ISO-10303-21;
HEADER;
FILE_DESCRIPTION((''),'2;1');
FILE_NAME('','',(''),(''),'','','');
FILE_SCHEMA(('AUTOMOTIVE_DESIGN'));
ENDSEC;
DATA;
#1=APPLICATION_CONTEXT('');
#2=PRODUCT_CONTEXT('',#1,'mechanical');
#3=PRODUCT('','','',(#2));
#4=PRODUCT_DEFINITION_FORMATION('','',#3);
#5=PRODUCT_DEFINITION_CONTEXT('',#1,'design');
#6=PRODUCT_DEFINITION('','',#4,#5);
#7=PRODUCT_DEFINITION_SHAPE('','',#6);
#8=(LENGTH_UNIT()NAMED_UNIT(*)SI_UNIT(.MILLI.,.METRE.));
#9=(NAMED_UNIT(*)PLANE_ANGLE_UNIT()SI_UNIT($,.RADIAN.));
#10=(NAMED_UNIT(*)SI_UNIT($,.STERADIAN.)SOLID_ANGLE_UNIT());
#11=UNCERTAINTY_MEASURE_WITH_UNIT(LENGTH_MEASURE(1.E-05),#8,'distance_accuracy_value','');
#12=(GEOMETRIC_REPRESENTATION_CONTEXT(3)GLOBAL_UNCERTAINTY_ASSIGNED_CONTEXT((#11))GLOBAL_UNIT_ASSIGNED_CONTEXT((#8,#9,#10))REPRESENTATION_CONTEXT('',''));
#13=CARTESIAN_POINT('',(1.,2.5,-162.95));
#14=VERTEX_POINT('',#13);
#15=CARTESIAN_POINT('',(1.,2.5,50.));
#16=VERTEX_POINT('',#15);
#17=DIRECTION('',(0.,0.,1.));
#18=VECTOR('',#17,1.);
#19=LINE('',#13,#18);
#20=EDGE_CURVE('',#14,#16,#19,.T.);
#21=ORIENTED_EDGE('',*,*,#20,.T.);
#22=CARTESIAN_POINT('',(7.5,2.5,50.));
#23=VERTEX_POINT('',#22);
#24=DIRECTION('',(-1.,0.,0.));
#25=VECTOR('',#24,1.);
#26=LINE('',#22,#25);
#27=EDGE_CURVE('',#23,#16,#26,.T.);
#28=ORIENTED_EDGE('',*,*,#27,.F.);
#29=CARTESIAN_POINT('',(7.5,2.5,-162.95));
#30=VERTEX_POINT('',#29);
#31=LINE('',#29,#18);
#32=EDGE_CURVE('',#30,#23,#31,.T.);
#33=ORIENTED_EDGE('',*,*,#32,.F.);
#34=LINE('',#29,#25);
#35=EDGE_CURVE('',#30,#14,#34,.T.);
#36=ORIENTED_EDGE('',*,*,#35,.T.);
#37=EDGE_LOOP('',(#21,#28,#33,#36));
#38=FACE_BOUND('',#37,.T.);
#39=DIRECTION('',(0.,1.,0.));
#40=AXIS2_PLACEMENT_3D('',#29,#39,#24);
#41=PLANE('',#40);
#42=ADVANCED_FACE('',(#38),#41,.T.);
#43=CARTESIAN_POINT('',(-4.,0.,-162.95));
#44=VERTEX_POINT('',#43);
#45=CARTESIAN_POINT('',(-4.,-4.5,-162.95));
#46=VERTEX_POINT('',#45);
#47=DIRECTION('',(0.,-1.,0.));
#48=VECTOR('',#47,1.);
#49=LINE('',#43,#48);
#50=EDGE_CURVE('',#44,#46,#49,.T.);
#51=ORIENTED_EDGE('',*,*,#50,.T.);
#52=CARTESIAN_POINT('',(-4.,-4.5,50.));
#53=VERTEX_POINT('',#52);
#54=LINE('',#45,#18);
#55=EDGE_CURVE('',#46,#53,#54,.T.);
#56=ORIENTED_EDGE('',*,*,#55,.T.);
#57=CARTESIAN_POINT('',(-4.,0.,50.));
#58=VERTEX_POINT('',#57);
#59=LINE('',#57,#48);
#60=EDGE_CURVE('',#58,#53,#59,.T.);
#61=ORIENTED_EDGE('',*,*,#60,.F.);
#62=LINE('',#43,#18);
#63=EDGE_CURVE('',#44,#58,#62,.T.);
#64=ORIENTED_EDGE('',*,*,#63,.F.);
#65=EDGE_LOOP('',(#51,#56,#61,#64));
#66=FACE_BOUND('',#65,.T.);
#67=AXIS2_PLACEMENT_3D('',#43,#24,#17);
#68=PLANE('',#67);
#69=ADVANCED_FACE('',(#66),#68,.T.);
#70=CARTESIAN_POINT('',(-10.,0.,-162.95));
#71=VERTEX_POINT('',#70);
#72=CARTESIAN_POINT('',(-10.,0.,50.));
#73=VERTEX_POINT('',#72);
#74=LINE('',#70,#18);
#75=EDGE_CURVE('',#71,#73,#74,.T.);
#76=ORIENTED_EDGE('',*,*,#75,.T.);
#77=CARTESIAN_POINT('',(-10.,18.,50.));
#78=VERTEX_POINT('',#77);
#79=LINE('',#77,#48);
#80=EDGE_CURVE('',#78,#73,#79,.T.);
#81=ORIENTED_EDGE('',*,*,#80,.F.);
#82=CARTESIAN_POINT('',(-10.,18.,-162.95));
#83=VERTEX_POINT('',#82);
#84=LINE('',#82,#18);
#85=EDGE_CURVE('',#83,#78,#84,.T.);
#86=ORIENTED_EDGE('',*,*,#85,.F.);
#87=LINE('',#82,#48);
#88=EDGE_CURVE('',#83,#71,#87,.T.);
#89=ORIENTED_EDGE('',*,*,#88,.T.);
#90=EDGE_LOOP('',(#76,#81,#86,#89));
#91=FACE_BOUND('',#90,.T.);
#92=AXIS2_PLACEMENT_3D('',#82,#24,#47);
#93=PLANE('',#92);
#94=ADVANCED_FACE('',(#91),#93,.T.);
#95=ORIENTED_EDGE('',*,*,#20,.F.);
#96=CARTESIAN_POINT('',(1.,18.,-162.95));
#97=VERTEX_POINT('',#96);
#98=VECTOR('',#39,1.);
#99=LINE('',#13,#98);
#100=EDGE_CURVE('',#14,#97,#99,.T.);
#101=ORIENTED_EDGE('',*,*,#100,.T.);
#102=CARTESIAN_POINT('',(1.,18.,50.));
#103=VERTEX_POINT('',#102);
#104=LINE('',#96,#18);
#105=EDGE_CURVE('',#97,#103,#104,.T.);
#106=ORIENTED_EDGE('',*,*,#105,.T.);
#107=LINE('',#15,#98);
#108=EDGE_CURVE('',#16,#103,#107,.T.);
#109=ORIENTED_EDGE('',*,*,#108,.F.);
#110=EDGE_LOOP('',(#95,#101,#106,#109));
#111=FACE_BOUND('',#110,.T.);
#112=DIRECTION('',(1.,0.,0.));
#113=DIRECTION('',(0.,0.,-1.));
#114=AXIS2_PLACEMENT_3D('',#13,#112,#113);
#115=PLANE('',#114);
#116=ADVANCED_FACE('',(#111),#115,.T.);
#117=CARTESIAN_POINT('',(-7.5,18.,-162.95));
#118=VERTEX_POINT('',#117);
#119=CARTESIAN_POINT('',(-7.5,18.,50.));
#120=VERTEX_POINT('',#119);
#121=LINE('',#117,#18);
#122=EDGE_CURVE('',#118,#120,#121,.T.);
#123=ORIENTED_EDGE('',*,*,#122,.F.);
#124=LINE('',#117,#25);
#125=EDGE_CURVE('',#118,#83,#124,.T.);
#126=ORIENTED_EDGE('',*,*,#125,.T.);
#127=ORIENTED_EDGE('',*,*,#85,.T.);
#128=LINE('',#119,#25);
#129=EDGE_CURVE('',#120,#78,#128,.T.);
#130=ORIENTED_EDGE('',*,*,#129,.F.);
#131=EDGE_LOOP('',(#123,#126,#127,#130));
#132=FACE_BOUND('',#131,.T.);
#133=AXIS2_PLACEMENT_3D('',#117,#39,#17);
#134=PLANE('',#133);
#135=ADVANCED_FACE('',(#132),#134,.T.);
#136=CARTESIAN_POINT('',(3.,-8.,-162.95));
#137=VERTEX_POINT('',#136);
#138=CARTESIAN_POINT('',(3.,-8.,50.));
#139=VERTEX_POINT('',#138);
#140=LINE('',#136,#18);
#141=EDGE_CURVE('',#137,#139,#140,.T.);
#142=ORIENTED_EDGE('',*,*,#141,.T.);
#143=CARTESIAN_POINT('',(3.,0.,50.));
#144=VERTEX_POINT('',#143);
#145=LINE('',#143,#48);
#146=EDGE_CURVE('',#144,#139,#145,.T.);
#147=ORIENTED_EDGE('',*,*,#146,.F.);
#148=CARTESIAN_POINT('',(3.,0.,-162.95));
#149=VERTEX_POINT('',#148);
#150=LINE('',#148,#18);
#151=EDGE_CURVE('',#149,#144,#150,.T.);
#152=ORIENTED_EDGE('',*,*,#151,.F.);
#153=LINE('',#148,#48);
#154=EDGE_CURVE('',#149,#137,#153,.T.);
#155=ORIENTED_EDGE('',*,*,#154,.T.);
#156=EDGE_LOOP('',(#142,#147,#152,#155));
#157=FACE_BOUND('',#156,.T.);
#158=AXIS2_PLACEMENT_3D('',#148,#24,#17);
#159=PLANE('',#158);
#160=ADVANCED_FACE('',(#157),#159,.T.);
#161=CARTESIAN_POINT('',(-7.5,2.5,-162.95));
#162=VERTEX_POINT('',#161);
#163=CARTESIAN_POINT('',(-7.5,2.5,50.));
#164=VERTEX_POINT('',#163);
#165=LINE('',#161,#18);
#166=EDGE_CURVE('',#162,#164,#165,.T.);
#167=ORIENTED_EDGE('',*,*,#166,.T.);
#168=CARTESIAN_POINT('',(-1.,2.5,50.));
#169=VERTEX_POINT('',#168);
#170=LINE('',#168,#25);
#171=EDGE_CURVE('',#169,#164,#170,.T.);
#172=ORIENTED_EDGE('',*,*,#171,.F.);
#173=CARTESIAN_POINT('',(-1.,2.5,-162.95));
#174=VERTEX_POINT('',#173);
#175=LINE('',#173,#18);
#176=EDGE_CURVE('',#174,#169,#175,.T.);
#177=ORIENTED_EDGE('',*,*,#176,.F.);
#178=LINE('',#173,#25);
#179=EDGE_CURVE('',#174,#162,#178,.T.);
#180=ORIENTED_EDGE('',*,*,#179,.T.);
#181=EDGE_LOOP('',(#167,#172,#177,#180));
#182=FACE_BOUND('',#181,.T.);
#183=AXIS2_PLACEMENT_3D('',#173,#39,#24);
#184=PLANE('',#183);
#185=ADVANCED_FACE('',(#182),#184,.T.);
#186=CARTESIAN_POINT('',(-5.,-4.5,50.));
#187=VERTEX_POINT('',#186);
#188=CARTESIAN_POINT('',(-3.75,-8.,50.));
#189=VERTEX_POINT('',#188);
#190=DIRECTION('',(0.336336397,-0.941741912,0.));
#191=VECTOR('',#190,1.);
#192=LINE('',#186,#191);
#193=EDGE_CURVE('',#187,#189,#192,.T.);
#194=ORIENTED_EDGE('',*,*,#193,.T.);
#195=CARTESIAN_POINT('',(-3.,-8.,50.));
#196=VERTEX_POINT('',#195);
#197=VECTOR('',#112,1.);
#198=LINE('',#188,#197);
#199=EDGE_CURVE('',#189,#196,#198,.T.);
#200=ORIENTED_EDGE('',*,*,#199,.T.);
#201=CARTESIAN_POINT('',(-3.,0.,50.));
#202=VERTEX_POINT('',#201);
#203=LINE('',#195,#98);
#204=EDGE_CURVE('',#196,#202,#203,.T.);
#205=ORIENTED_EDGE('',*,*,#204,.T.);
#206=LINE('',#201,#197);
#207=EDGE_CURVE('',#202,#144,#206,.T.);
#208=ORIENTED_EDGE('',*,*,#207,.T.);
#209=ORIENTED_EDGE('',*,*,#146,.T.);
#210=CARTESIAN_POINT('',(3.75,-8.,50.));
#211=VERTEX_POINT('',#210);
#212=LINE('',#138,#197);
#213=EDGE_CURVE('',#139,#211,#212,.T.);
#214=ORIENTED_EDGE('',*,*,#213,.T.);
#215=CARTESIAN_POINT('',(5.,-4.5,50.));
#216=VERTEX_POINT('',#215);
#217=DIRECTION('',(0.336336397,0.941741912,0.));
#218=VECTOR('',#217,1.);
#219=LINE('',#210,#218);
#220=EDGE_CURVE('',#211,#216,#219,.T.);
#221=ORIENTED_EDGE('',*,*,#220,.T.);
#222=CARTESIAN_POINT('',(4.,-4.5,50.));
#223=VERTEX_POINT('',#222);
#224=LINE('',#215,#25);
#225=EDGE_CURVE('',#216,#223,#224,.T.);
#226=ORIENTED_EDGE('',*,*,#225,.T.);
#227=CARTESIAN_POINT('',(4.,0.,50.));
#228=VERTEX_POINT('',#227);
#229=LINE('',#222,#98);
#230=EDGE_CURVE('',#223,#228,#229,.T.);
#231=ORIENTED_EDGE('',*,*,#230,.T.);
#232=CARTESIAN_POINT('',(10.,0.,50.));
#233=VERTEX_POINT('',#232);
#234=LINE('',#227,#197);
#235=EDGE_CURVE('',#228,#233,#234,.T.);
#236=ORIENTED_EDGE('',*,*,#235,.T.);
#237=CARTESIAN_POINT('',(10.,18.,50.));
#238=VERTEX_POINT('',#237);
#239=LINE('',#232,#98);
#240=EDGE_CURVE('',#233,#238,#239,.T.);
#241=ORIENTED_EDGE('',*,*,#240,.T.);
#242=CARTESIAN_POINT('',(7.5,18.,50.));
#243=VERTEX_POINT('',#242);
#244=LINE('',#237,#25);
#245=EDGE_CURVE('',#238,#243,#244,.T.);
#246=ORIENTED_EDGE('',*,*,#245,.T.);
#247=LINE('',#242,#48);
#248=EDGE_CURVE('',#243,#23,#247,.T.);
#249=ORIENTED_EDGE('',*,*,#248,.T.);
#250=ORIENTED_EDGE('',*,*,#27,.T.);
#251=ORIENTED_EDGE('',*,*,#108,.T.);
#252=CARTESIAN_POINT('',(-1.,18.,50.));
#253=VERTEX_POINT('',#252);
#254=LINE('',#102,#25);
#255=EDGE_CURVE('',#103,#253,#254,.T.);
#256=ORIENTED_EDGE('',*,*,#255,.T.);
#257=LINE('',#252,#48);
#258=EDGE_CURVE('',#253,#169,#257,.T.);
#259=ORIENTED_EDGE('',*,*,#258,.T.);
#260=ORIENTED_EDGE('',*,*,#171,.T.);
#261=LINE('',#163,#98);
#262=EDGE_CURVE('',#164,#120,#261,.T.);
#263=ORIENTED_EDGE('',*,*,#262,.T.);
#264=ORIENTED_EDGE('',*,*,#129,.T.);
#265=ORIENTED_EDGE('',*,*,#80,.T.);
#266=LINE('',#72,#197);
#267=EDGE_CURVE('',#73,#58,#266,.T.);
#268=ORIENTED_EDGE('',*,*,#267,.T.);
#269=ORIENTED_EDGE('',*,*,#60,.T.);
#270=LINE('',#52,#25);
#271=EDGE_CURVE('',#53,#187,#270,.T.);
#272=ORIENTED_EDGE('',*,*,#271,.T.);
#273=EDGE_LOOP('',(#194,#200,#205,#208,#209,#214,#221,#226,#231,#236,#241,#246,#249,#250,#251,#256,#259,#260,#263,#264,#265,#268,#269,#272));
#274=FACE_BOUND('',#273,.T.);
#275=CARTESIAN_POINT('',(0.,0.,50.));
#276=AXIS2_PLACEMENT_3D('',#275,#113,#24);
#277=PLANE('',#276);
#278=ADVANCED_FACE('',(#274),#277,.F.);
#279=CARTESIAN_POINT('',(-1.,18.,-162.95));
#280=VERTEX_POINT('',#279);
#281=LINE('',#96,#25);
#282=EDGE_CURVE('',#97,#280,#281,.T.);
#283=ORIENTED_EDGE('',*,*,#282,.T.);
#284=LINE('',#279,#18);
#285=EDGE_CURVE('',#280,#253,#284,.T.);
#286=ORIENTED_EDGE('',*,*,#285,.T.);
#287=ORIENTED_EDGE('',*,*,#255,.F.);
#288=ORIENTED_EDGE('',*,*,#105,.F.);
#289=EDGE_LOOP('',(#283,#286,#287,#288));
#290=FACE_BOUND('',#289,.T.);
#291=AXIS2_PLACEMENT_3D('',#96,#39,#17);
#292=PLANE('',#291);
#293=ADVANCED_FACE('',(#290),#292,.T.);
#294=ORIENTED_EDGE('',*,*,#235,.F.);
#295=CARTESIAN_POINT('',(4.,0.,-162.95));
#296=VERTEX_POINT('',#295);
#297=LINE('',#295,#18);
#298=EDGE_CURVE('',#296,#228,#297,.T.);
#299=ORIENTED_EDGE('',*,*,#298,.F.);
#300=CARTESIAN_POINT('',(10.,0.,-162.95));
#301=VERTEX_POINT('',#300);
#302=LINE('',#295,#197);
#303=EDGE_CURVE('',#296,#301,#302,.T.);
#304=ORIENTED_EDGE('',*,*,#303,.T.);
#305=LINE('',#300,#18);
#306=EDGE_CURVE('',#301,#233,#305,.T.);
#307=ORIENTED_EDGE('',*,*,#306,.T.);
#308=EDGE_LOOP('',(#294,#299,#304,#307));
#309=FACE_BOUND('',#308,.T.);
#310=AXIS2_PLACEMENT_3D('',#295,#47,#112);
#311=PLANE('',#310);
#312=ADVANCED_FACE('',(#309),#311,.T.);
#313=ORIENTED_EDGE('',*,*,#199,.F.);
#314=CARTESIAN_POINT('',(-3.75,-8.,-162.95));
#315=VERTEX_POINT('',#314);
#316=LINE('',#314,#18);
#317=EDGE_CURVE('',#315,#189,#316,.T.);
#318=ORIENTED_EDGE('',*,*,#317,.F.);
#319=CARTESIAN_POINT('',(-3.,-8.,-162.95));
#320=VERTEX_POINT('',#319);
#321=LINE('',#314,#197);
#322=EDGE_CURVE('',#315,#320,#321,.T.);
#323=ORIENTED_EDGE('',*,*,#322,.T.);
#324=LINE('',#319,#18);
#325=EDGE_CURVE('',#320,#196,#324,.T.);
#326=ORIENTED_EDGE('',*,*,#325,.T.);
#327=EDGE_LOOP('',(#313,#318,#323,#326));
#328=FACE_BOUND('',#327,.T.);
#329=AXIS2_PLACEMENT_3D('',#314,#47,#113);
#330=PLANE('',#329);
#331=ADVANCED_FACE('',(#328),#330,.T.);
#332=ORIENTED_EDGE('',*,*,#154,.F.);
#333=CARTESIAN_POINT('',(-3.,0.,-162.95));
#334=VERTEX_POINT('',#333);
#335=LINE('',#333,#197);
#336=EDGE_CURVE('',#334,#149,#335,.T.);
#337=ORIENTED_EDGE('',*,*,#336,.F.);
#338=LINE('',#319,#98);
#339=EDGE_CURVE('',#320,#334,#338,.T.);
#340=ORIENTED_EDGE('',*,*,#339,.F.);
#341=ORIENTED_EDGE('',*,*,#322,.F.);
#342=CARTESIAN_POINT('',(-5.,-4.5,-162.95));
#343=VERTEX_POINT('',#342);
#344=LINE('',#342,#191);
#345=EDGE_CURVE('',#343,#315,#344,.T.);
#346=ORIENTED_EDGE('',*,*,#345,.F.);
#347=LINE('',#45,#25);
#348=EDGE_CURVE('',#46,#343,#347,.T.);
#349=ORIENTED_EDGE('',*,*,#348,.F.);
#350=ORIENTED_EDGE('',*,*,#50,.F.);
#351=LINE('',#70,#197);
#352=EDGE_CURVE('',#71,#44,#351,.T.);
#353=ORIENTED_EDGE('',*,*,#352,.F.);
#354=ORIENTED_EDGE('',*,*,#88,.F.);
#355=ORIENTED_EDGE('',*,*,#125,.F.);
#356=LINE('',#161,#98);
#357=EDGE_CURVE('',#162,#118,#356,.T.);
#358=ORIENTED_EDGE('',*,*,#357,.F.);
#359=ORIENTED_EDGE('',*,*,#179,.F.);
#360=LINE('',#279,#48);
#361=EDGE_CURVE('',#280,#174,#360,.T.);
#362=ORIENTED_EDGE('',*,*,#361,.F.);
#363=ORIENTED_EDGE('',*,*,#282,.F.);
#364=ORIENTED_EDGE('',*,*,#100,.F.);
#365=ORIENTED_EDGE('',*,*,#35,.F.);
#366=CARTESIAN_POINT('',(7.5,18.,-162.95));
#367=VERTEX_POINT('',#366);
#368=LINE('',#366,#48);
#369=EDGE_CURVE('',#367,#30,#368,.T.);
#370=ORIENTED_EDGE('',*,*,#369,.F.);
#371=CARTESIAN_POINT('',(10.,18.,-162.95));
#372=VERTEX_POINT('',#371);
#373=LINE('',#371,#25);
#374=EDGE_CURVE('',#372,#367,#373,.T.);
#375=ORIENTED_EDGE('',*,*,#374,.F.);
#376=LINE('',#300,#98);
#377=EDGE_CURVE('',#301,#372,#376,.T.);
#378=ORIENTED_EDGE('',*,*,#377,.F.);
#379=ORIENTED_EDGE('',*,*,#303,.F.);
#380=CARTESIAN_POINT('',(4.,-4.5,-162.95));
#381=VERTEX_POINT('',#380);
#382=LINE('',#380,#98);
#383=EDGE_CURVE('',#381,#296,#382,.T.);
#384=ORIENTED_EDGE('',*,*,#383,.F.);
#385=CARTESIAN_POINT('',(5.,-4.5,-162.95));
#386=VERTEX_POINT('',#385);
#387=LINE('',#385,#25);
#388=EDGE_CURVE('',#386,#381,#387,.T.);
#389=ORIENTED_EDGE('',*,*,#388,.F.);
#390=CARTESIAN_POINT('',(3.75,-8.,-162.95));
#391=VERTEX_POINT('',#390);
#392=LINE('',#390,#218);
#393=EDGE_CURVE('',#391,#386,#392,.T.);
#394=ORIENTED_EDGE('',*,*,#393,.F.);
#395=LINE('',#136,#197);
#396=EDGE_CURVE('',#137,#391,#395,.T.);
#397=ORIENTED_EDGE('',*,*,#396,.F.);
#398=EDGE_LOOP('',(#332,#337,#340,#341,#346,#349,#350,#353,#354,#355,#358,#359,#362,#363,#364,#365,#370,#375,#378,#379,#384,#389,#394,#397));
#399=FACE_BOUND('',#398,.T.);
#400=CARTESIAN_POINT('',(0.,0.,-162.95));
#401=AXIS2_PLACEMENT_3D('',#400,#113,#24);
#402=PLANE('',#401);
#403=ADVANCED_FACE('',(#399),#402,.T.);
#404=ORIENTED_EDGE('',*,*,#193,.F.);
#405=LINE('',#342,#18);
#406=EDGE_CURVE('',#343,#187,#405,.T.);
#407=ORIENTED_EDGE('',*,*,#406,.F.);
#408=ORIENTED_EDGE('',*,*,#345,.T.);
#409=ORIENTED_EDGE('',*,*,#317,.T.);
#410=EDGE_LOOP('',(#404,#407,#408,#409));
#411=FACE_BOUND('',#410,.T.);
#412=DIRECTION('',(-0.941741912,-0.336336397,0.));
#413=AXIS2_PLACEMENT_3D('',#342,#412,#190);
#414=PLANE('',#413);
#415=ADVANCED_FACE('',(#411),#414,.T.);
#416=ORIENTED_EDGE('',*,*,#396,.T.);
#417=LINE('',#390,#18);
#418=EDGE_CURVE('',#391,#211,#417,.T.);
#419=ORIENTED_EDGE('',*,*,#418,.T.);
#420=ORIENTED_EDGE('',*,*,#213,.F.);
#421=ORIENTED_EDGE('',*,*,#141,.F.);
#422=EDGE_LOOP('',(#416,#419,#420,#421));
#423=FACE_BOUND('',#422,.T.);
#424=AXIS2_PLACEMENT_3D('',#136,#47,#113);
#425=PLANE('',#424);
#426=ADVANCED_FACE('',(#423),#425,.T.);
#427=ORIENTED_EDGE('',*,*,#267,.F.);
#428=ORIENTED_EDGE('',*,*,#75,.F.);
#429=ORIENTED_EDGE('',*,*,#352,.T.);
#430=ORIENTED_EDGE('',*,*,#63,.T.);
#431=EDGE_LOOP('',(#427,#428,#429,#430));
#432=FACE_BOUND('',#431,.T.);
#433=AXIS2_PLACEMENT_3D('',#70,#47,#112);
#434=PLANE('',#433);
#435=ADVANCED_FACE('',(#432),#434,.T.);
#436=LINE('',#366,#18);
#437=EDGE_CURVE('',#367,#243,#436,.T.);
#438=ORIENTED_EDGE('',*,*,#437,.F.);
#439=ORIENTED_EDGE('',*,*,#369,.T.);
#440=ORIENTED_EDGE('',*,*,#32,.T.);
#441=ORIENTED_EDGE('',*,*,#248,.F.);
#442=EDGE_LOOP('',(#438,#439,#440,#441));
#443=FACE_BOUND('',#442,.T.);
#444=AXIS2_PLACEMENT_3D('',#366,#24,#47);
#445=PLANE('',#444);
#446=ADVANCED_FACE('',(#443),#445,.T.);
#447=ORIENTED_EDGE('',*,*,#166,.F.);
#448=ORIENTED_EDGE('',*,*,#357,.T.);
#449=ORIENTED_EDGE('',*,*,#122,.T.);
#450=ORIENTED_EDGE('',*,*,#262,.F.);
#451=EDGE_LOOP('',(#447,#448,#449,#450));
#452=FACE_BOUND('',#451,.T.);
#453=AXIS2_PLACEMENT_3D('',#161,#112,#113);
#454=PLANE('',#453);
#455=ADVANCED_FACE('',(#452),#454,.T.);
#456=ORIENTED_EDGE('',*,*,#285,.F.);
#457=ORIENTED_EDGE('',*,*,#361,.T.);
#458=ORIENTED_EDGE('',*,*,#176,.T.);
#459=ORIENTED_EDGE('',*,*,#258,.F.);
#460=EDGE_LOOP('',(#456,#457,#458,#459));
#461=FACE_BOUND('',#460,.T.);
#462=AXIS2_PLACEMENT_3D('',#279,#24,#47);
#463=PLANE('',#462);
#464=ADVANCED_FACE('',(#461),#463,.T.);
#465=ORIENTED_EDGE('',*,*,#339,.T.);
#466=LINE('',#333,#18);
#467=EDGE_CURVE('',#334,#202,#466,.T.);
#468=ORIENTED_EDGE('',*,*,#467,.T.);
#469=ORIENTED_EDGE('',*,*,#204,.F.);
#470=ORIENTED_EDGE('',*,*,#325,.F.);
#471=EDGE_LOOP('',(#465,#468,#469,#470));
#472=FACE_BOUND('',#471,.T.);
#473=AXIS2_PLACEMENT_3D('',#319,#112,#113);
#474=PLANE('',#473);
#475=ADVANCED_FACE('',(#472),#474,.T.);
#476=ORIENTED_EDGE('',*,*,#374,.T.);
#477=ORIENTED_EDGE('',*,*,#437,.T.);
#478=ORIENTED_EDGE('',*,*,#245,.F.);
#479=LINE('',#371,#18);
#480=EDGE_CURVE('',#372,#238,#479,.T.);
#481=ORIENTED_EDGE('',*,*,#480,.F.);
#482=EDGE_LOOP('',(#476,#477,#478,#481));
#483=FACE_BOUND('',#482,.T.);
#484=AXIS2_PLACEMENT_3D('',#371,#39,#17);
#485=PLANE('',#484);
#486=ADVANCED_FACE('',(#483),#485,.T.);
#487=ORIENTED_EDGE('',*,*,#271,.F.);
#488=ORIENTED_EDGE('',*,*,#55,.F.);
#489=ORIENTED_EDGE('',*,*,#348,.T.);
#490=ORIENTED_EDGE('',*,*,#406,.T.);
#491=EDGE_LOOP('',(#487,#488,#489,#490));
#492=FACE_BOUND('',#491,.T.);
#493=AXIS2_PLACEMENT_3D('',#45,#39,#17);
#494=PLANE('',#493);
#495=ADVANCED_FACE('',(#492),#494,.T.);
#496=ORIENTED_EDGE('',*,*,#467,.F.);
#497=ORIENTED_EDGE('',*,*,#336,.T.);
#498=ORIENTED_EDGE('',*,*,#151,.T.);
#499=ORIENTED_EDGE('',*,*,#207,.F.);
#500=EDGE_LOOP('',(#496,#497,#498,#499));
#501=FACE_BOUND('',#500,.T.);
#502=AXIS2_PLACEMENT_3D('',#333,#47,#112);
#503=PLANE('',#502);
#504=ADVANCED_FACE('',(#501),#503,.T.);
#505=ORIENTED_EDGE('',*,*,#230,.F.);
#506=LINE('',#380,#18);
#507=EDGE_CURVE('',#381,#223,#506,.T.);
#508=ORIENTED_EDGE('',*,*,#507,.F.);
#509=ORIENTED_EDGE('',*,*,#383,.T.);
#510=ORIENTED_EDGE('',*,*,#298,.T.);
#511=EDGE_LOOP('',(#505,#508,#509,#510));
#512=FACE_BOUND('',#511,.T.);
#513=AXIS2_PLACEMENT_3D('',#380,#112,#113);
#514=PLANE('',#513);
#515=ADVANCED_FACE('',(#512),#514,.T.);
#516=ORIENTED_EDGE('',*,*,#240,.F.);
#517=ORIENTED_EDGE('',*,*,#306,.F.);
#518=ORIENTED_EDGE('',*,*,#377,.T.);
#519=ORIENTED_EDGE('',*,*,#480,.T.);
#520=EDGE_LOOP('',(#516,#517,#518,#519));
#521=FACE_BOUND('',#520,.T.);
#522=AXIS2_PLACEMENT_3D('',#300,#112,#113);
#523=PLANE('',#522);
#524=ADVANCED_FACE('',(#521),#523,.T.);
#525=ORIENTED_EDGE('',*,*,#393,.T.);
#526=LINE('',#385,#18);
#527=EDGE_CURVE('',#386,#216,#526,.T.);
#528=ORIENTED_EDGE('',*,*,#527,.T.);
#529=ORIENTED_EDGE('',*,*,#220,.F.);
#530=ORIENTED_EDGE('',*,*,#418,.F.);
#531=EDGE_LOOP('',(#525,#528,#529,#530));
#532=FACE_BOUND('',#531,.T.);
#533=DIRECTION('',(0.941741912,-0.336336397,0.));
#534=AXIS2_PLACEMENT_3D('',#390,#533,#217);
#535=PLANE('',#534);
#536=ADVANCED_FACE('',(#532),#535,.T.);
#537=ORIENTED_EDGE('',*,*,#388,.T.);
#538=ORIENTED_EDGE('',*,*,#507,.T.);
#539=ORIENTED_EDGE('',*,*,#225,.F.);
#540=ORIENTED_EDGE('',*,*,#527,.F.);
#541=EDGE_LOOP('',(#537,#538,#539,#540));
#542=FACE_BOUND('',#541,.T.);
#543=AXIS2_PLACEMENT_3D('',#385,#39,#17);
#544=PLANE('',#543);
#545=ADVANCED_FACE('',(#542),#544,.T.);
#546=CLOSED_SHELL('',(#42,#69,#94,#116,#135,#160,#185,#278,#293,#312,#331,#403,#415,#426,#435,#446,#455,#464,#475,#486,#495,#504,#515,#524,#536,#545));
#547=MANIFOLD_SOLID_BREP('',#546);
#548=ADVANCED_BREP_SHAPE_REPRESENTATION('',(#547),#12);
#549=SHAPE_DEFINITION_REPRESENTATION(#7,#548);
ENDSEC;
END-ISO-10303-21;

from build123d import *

# Parameters (mm, degrees)
BOSS_EXTRU_1_DEPTH = 212.95


with BuildPart() as part:
    # Esquisse1 → Boss.-Extru.1 (new body)
    with BuildSketch(Plane.XY.offset(50)):
        Polygon((-1, 2.5), (-7.5, 2.5), (-7.5, 17.999999998), (-10, 17.999999998), (-10, 0), (-4, 0), (-4, -4.5), (-5, -4.5), (-3.75, -8), (-3, -8), (-3, 0), (3, 0), (3, -8), (3.75, -8), (5, -4.5), (4, -4.5), (4, 0), (10, 0), (10, 17.999999998), (7.5, 17.999999998), (7.5, 2.5), (1, 2.5), (1, 17.999999998), (-1, 17.999999998), align=None)
    extrude(amount=-BOSS_EXTRU_1_DEPTH)


solid = part.part
